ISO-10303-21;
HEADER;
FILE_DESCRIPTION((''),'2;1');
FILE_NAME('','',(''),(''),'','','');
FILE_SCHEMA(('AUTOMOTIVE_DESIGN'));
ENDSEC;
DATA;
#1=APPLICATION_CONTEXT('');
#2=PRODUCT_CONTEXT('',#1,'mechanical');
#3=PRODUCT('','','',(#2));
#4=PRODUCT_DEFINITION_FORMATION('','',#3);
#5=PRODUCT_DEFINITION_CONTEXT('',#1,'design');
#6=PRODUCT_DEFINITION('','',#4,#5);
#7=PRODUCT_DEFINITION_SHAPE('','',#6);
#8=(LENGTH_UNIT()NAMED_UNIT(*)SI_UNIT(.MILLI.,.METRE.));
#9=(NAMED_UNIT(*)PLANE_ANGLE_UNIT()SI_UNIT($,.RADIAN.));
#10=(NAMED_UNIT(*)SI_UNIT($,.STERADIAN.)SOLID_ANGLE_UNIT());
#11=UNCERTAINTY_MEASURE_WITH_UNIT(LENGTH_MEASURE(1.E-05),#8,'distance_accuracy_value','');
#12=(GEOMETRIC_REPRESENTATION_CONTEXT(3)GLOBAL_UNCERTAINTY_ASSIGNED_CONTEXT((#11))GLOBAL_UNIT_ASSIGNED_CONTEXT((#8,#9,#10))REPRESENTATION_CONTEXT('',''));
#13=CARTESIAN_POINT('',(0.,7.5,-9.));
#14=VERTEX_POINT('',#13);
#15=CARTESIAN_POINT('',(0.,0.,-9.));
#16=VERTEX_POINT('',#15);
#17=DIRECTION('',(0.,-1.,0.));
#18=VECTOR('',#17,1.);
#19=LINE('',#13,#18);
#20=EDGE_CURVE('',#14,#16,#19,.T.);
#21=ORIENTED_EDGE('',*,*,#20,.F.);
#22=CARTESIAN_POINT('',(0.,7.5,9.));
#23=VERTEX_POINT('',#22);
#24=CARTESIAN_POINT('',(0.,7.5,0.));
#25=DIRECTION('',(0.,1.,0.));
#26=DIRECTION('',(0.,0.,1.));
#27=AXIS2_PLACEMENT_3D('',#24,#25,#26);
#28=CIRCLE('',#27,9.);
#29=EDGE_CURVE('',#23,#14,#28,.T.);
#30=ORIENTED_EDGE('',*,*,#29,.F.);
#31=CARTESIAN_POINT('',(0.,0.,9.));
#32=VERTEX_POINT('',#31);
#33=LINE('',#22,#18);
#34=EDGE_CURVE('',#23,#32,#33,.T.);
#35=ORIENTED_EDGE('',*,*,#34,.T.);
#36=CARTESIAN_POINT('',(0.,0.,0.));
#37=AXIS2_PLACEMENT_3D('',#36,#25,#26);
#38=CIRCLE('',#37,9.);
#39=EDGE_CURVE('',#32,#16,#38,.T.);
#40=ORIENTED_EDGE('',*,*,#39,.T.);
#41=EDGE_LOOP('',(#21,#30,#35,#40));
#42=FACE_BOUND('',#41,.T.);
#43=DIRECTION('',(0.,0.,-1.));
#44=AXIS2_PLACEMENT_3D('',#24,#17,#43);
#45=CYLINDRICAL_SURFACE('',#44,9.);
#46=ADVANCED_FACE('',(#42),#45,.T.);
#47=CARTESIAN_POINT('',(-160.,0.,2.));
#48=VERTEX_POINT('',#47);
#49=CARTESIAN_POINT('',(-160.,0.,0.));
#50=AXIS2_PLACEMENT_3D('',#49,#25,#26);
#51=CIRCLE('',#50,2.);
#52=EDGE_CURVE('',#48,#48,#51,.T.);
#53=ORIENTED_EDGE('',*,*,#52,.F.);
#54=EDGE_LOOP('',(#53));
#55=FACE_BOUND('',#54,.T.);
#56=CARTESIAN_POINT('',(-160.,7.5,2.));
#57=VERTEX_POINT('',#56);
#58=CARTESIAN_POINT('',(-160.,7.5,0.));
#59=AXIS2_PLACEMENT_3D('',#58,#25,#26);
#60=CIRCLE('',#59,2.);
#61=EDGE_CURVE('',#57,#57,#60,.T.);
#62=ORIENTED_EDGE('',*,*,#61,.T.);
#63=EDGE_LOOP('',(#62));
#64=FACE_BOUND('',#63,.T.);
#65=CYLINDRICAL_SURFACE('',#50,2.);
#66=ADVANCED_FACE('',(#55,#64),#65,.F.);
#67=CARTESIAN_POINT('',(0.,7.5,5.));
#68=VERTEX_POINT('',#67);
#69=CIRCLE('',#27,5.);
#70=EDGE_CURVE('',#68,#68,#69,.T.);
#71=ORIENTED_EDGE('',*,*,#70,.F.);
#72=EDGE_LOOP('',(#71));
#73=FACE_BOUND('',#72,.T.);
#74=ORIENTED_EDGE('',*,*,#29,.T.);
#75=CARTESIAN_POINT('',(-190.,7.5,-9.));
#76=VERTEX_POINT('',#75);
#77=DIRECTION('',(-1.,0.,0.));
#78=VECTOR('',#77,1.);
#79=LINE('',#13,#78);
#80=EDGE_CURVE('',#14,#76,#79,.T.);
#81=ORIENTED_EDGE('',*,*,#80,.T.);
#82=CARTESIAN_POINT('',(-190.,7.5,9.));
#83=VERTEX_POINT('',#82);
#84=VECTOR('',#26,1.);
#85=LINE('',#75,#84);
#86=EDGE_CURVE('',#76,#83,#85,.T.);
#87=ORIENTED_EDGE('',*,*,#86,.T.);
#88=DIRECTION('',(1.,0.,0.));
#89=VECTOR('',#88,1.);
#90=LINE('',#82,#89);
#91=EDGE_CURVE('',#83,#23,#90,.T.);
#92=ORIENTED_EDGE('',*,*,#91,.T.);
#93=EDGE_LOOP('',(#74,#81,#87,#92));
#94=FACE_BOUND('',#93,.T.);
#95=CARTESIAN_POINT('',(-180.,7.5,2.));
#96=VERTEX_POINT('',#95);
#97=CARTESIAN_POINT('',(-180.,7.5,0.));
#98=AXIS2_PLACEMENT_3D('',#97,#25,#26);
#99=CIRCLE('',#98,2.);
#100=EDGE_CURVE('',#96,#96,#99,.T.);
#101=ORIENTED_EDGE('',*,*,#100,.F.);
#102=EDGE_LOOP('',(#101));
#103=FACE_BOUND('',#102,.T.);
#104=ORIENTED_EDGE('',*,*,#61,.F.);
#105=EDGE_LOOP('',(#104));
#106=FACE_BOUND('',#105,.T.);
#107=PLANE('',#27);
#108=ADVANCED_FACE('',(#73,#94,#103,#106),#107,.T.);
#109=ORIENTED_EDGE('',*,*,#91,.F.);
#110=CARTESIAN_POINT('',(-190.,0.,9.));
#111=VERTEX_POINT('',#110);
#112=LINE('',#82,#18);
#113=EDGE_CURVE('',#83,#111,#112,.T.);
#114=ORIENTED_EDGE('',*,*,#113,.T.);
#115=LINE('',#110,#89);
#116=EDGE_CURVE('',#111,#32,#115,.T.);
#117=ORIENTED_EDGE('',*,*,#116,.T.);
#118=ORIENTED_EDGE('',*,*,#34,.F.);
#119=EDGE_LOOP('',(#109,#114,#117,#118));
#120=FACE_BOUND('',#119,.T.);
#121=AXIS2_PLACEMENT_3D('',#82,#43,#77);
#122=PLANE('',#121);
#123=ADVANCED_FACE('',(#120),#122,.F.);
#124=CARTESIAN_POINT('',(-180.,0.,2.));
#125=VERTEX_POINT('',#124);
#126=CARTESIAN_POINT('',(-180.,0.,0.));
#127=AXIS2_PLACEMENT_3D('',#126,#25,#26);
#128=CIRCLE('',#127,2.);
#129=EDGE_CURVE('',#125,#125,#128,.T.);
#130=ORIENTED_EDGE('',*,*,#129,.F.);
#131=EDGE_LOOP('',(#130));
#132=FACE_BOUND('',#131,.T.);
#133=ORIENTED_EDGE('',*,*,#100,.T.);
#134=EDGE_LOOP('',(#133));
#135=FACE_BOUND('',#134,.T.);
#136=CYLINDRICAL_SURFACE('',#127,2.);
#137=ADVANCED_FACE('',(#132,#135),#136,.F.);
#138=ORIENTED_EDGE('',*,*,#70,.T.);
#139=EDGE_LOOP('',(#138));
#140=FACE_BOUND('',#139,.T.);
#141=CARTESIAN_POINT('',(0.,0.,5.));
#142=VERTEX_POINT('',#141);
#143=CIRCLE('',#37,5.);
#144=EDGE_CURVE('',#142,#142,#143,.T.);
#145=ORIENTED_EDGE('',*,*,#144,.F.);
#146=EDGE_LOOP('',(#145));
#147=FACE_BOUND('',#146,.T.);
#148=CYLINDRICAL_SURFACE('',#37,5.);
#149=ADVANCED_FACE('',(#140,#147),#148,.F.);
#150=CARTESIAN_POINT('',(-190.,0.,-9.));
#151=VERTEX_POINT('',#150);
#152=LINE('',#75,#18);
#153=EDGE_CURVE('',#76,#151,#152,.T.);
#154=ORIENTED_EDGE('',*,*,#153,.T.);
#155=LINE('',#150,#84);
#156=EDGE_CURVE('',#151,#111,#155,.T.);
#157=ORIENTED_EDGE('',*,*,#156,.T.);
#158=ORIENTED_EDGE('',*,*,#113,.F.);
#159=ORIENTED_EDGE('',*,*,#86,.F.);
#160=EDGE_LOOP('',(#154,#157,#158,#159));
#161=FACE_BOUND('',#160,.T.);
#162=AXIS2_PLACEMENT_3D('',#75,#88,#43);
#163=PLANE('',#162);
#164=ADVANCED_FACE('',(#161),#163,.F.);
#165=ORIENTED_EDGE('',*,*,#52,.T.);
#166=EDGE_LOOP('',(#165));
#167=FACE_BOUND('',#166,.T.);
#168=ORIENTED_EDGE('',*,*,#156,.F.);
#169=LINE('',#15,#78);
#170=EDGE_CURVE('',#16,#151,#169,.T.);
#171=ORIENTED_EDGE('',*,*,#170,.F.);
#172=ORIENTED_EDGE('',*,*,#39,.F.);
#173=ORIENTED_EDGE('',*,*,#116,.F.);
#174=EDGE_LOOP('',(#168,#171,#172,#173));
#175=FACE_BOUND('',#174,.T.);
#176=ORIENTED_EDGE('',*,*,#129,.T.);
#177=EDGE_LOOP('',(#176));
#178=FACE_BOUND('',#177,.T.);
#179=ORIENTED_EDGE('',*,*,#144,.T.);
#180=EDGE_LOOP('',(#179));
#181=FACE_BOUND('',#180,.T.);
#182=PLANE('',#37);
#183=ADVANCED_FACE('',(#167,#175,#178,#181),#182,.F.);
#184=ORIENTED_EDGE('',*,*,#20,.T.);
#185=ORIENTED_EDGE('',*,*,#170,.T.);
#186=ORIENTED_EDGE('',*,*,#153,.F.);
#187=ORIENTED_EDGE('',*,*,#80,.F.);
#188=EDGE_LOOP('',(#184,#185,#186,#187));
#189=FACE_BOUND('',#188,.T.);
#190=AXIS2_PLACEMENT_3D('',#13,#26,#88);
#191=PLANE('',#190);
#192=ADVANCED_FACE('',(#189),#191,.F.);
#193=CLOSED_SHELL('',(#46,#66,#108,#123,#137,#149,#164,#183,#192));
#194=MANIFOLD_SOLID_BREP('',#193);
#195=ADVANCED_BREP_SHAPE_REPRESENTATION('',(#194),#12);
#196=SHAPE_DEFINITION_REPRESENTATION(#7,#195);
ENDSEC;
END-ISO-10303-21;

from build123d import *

# Parameters (mm, degrees)
BOSS_EXTRUDE1_DEPTH = 7.5
SKETCH2_R           = 2
CUT_EXTRUDE1_DEPTH  = 191.360841561
SKETCH3_R           = 5
CUT_EXTRUDE2_DEPTH  = 191.360841561


with BuildPart() as part:
    # Sketch1 → Boss-Extrude1 (new body)
    with BuildSketch(Plane(origin=(0, 0, 0), x_dir=(1, 0, 0), z_dir=(0, 1, 0))):
        with BuildLine():
            Line((0, 9), (-190, 9))
            Line((-190, 9), (-190, -9))
            Line((-190, -9), (0, -9))
            ThreePointArc((0, -9), (9, 0), (0, 9))
        make_face()
    extrude(amount=BOSS_EXTRUDE1_DEPTH)

    # Sketch2 → Cut-Extrude1 (cut, through all)
    with BuildSketch(Plane(origin=(0, 7.5, 0), x_dir=(1, 0, 0), z_dir=(0, 1, 0))):
        with Locations(Location((-180, 0, 0), (0, 0, 270))):
            Circle(SKETCH2_R)
        with Locations(Location((-160, 0, 0), (0, 0, 270))):
            Circle(SKETCH2_R)
    extrude(amount=-CUT_EXTRUDE1_DEPTH, mode=Mode.SUBTRACT)

    # Sketch3 → Cut-Extrude2 (cut, through all)
    with BuildSketch(Plane(origin=(0, 7.5, 0), x_dir=(1, 0, 0), z_dir=(0, 1, 0))):
        with Locations(Location((0, 0, 0), (0, 0, 270))):
            Circle(SKETCH3_R)
    extrude(amount=-CUT_EXTRUDE2_DEPTH, mode=Mode.SUBTRACT)


solid = part.part
